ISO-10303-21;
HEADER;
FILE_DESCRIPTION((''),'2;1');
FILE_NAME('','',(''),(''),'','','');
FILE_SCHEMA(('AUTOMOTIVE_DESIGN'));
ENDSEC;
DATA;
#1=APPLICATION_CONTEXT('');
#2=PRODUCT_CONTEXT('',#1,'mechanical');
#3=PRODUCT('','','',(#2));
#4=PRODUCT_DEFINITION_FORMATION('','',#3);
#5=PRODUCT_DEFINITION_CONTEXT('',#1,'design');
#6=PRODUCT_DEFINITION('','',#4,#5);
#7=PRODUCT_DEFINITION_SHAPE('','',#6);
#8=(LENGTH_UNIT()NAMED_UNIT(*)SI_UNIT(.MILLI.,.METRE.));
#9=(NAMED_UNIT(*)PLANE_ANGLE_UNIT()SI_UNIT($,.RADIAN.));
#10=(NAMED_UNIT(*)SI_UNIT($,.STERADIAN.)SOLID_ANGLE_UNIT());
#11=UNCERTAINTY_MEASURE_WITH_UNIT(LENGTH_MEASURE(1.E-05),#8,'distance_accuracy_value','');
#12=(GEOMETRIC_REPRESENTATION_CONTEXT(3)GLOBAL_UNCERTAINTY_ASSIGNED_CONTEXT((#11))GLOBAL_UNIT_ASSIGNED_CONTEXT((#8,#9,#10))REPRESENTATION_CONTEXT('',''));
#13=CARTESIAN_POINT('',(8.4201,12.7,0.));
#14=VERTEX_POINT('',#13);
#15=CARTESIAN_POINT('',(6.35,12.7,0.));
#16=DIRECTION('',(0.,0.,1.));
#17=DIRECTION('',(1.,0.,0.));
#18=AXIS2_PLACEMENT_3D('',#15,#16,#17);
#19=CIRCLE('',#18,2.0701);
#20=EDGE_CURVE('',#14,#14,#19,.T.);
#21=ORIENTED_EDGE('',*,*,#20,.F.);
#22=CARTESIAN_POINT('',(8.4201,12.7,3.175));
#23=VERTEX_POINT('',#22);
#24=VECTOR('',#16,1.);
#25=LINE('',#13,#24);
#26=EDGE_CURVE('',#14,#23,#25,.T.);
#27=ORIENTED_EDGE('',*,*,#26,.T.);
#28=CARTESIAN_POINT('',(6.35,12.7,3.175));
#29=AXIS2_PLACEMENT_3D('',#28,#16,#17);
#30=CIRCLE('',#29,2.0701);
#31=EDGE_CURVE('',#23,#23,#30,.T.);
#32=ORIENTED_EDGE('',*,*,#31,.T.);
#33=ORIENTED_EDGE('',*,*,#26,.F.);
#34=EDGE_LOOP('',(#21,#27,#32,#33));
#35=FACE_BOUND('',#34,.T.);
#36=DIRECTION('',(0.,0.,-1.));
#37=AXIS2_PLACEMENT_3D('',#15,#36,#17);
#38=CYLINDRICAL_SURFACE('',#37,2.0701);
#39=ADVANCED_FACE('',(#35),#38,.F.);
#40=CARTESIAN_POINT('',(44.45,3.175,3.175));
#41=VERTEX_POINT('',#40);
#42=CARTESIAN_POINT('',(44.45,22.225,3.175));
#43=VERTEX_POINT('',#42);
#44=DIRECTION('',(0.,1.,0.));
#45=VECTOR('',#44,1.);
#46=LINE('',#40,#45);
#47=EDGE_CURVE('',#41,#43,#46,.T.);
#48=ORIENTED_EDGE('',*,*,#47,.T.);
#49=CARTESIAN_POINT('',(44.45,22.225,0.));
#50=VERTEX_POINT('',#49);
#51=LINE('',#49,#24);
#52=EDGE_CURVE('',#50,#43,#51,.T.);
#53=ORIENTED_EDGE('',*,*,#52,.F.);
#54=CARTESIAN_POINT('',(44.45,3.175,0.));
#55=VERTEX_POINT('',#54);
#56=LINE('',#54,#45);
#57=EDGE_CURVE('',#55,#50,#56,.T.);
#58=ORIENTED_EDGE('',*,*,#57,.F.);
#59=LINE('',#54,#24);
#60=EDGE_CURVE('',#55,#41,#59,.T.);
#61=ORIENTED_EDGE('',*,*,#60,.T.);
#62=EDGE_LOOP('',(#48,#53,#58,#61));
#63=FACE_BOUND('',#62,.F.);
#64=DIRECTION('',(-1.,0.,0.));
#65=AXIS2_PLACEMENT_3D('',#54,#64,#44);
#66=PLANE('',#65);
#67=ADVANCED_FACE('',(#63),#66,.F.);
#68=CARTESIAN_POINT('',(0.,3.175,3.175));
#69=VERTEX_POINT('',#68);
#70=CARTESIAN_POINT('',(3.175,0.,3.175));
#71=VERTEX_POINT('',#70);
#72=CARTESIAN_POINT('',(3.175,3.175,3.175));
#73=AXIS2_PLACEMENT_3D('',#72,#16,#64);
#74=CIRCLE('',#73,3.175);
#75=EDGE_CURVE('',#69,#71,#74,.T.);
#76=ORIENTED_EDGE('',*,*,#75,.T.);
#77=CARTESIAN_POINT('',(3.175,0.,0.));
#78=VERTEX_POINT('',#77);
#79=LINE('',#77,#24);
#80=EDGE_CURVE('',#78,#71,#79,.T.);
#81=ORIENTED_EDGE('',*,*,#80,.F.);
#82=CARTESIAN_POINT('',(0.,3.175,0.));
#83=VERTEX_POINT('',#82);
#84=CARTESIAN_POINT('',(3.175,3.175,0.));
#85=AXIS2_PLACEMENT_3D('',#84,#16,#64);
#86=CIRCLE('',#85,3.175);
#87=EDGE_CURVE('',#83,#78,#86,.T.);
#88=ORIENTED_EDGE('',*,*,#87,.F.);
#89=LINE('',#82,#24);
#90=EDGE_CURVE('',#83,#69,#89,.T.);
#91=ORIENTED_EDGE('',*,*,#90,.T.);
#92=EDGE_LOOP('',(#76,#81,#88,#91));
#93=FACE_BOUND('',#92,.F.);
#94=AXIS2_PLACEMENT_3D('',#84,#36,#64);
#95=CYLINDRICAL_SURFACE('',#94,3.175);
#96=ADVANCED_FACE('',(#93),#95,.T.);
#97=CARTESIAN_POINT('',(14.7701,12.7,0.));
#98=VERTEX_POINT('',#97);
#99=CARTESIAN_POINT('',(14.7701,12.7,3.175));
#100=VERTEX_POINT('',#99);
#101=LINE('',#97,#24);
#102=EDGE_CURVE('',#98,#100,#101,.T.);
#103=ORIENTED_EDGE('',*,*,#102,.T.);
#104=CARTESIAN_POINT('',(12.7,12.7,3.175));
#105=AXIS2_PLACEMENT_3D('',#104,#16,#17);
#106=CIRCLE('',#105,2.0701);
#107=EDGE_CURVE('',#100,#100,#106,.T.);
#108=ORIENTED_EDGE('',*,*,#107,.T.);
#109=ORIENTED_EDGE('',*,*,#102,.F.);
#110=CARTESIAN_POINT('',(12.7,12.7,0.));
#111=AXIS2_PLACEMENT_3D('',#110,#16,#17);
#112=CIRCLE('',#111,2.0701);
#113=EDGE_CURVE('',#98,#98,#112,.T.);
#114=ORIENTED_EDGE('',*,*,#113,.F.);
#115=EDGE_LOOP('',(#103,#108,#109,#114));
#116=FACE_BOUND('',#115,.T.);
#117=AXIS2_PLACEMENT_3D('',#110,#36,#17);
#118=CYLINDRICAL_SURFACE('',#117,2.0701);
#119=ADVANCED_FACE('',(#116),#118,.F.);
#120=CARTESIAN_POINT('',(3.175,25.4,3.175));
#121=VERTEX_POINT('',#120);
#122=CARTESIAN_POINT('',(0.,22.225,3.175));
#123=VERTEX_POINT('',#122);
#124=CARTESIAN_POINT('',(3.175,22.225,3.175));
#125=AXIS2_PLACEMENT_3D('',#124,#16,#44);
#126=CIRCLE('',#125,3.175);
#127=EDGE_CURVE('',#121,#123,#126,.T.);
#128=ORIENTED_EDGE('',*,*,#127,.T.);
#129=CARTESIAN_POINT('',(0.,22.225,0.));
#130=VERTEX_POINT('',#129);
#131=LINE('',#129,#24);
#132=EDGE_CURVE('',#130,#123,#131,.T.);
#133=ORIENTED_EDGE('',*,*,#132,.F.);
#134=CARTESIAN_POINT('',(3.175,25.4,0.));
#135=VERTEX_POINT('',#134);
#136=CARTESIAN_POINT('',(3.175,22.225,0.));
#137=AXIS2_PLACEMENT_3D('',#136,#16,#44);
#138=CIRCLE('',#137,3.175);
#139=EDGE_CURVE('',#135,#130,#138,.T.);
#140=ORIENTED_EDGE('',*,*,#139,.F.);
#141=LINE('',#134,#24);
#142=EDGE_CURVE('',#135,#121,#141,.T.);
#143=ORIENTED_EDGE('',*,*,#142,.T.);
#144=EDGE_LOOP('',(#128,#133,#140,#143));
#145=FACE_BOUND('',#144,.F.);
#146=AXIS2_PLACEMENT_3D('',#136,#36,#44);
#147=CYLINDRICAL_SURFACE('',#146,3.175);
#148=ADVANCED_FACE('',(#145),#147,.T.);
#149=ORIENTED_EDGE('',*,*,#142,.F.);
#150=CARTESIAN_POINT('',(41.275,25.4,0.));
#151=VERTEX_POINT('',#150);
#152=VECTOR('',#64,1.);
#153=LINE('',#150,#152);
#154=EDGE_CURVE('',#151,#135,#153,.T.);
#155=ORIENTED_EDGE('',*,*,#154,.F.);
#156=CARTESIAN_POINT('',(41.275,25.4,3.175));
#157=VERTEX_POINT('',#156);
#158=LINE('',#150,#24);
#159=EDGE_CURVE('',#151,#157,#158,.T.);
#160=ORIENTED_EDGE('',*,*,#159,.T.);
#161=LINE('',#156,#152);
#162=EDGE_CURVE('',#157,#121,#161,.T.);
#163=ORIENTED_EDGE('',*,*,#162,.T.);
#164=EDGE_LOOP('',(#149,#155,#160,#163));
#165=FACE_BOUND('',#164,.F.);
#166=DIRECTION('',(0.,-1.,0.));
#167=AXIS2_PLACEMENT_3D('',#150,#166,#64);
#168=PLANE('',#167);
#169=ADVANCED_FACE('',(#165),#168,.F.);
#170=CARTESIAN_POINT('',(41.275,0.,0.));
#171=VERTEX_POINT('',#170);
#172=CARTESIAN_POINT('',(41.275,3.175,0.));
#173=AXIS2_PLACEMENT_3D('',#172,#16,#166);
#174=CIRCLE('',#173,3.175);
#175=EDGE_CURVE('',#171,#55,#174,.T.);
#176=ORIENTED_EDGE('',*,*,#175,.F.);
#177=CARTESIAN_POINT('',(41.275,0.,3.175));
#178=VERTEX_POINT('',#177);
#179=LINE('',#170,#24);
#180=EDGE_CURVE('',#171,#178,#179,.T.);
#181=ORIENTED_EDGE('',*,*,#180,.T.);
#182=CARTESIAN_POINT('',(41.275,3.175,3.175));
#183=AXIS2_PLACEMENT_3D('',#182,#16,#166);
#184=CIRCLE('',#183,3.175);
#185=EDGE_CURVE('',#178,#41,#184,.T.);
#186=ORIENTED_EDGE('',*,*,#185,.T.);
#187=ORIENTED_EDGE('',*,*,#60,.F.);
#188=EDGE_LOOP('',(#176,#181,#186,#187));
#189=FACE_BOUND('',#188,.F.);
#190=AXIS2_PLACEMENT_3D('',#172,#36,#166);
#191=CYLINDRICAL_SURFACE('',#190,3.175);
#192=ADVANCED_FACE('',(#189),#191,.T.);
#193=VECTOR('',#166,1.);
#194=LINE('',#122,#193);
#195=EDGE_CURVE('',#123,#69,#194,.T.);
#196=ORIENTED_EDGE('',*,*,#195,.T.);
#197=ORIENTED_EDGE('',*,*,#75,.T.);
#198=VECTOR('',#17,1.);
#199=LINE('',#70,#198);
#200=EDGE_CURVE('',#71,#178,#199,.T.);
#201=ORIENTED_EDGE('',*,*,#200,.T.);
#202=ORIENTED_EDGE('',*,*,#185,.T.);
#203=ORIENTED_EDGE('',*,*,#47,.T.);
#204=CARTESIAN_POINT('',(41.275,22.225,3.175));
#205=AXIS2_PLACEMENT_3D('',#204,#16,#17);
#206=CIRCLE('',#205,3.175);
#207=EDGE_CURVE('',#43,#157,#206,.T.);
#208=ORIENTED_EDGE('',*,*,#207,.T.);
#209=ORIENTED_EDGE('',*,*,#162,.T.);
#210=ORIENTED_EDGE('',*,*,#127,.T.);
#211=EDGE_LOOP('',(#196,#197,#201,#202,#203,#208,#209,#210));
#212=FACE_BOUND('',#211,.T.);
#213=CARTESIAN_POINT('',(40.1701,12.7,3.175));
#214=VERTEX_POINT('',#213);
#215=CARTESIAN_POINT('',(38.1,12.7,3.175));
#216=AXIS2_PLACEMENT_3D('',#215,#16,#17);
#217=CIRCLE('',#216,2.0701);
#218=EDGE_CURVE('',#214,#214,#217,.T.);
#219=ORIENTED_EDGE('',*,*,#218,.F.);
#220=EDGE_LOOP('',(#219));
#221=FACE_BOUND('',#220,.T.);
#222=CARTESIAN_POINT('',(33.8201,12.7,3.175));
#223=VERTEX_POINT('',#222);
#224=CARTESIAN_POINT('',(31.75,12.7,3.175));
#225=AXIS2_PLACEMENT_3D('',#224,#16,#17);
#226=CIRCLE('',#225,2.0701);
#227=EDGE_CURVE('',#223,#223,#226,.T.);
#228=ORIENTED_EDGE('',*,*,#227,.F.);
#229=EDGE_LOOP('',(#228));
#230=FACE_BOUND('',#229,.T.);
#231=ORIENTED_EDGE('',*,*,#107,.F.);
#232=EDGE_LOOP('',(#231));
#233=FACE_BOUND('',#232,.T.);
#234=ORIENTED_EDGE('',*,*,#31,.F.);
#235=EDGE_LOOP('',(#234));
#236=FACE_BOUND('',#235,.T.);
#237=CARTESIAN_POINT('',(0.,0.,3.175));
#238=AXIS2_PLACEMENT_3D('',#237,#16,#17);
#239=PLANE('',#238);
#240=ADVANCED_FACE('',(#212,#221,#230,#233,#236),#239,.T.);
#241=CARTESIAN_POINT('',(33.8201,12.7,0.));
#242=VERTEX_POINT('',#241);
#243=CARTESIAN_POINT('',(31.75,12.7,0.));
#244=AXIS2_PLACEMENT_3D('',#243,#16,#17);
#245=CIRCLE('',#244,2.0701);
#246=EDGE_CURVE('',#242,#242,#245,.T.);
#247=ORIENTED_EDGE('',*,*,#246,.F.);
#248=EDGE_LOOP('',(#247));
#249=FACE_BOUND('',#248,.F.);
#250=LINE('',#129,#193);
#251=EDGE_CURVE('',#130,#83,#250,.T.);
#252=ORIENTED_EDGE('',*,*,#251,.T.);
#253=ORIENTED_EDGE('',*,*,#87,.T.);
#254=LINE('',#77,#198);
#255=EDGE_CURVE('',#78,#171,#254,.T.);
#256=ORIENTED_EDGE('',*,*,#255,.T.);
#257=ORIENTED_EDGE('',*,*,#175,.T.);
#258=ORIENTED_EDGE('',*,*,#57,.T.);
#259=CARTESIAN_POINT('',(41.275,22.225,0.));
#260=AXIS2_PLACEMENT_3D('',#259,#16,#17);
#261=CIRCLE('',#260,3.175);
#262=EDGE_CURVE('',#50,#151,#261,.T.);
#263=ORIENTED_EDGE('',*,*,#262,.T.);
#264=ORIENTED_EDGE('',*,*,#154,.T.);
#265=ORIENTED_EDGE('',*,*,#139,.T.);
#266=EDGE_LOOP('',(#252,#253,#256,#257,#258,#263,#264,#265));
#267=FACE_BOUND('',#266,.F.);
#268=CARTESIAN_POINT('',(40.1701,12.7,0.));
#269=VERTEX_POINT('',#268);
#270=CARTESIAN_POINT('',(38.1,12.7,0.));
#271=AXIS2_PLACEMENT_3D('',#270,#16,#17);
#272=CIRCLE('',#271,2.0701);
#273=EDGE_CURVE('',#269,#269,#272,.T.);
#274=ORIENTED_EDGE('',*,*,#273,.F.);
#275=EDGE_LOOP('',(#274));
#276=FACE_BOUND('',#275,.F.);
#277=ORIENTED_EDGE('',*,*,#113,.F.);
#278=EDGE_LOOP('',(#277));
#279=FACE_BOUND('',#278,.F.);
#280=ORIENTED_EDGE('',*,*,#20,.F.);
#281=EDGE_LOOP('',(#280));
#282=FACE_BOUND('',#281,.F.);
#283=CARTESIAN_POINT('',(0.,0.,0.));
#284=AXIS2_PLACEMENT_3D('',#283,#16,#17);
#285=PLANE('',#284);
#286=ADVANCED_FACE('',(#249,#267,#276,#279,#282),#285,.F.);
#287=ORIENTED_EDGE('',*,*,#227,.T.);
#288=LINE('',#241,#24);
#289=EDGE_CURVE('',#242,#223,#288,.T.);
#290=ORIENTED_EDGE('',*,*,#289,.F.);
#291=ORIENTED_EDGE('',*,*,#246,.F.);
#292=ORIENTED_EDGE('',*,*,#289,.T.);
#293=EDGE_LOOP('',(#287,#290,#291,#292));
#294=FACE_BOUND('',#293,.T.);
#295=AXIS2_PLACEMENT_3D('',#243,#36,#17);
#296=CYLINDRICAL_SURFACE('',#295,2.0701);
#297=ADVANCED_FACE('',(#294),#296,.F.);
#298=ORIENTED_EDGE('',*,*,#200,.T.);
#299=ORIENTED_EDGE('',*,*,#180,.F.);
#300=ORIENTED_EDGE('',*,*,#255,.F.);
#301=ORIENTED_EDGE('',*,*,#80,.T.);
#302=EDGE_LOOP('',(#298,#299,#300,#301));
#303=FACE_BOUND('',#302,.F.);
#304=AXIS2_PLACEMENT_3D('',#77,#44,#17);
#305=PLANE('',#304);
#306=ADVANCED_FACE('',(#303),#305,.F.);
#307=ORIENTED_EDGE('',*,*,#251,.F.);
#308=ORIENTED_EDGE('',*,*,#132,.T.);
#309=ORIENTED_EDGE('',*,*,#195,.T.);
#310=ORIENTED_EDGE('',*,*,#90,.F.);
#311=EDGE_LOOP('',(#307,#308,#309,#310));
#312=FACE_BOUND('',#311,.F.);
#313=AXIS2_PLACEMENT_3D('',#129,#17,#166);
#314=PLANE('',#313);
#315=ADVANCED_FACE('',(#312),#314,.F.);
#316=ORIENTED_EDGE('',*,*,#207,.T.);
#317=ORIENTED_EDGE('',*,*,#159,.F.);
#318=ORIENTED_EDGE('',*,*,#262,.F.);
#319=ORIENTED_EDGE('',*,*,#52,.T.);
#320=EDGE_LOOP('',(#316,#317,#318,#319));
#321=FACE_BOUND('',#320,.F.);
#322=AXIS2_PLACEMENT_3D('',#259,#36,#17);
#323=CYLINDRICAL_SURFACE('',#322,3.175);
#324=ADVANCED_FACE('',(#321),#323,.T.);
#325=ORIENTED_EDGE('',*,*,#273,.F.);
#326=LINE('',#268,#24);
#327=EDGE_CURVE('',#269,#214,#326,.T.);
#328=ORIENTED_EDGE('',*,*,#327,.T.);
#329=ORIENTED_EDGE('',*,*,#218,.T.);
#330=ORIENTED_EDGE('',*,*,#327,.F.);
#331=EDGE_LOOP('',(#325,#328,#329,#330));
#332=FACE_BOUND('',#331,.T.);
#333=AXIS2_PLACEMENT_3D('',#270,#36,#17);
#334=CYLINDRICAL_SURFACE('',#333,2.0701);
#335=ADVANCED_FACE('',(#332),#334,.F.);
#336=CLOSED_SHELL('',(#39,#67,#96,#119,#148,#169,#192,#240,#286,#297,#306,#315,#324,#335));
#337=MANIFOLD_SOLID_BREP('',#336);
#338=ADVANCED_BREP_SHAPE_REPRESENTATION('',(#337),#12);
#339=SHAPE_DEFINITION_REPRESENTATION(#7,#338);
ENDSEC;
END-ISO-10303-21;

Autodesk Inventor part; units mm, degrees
ref_plane "YZ Plane" through (0, 0, 0) normal (1, 0, 0) x (0, 1, 0)
ref_plane "XZ Plane" through (0, 0, 0) normal (0, 1, 0) x (-1, 0, 0)
ref_plane "XY Plane" through (0, 0, 0) normal (0, 0, 1) x (1, 0, 0)
sketch "Sketch1" plane through (0, 0, 0) normal (0, 0, 1) x (1, 0, 0)
  line L0 (3.175, 0) -> (41.275, 0)
  line L1 (44.45, 3.175) -> (44.45, 22.225)
  line L2 (41.275, 25.4) -> (3.175, 25.4)
  line L3 (0, 22.225) -> (0, 3.175)
  circle A0 centre (6.35, 12.7) radius 2.0701
  circle A1 centre (31.75, 12.7) radius 2.0701
  circle A2 centre (12.7, 12.7) radius 2.0701
  line L4 (0, 12.7) -> (44.45, 12.7) construction
  circle A3 centre (38.1, 12.7) radius 2.0701
  arc A4 (3.175, 25.4) -> (0, 22.225) centre (3.175, 22.225) ccw
  arc A5 (44.45, 22.225) -> (41.275, 25.4) centre (41.275, 22.225) ccw
  arc A6 (41.275, 0) -> (44.45, 3.175) centre (41.275, 3.175) ccw
  arc A7 (0, 3.175) -> (3.175, 0) centre (3.175, 3.175) ccw
  point P0 (0, 0)
  point P1 (44.45, 25.4)
  point P2 (44.45, 0)
  point P3 (0, 25.4)
  dimension "d0" = 44.45
  dimension "d1" = 25.4
  dimension "d2" = 4.1402
  dimension "d3" = 6.35
  dimension "d7" = 25.4
  dimension "d12" = 6.35
  dimension "d15" = 25.4
  dimension "d20" = 3.175
extrude "Extrusion1" add sketch "Sketch1" along normal blind 3.175
properties part number "Bearing Mount Spacer 1-8 in" material "Aluminum 6061"
